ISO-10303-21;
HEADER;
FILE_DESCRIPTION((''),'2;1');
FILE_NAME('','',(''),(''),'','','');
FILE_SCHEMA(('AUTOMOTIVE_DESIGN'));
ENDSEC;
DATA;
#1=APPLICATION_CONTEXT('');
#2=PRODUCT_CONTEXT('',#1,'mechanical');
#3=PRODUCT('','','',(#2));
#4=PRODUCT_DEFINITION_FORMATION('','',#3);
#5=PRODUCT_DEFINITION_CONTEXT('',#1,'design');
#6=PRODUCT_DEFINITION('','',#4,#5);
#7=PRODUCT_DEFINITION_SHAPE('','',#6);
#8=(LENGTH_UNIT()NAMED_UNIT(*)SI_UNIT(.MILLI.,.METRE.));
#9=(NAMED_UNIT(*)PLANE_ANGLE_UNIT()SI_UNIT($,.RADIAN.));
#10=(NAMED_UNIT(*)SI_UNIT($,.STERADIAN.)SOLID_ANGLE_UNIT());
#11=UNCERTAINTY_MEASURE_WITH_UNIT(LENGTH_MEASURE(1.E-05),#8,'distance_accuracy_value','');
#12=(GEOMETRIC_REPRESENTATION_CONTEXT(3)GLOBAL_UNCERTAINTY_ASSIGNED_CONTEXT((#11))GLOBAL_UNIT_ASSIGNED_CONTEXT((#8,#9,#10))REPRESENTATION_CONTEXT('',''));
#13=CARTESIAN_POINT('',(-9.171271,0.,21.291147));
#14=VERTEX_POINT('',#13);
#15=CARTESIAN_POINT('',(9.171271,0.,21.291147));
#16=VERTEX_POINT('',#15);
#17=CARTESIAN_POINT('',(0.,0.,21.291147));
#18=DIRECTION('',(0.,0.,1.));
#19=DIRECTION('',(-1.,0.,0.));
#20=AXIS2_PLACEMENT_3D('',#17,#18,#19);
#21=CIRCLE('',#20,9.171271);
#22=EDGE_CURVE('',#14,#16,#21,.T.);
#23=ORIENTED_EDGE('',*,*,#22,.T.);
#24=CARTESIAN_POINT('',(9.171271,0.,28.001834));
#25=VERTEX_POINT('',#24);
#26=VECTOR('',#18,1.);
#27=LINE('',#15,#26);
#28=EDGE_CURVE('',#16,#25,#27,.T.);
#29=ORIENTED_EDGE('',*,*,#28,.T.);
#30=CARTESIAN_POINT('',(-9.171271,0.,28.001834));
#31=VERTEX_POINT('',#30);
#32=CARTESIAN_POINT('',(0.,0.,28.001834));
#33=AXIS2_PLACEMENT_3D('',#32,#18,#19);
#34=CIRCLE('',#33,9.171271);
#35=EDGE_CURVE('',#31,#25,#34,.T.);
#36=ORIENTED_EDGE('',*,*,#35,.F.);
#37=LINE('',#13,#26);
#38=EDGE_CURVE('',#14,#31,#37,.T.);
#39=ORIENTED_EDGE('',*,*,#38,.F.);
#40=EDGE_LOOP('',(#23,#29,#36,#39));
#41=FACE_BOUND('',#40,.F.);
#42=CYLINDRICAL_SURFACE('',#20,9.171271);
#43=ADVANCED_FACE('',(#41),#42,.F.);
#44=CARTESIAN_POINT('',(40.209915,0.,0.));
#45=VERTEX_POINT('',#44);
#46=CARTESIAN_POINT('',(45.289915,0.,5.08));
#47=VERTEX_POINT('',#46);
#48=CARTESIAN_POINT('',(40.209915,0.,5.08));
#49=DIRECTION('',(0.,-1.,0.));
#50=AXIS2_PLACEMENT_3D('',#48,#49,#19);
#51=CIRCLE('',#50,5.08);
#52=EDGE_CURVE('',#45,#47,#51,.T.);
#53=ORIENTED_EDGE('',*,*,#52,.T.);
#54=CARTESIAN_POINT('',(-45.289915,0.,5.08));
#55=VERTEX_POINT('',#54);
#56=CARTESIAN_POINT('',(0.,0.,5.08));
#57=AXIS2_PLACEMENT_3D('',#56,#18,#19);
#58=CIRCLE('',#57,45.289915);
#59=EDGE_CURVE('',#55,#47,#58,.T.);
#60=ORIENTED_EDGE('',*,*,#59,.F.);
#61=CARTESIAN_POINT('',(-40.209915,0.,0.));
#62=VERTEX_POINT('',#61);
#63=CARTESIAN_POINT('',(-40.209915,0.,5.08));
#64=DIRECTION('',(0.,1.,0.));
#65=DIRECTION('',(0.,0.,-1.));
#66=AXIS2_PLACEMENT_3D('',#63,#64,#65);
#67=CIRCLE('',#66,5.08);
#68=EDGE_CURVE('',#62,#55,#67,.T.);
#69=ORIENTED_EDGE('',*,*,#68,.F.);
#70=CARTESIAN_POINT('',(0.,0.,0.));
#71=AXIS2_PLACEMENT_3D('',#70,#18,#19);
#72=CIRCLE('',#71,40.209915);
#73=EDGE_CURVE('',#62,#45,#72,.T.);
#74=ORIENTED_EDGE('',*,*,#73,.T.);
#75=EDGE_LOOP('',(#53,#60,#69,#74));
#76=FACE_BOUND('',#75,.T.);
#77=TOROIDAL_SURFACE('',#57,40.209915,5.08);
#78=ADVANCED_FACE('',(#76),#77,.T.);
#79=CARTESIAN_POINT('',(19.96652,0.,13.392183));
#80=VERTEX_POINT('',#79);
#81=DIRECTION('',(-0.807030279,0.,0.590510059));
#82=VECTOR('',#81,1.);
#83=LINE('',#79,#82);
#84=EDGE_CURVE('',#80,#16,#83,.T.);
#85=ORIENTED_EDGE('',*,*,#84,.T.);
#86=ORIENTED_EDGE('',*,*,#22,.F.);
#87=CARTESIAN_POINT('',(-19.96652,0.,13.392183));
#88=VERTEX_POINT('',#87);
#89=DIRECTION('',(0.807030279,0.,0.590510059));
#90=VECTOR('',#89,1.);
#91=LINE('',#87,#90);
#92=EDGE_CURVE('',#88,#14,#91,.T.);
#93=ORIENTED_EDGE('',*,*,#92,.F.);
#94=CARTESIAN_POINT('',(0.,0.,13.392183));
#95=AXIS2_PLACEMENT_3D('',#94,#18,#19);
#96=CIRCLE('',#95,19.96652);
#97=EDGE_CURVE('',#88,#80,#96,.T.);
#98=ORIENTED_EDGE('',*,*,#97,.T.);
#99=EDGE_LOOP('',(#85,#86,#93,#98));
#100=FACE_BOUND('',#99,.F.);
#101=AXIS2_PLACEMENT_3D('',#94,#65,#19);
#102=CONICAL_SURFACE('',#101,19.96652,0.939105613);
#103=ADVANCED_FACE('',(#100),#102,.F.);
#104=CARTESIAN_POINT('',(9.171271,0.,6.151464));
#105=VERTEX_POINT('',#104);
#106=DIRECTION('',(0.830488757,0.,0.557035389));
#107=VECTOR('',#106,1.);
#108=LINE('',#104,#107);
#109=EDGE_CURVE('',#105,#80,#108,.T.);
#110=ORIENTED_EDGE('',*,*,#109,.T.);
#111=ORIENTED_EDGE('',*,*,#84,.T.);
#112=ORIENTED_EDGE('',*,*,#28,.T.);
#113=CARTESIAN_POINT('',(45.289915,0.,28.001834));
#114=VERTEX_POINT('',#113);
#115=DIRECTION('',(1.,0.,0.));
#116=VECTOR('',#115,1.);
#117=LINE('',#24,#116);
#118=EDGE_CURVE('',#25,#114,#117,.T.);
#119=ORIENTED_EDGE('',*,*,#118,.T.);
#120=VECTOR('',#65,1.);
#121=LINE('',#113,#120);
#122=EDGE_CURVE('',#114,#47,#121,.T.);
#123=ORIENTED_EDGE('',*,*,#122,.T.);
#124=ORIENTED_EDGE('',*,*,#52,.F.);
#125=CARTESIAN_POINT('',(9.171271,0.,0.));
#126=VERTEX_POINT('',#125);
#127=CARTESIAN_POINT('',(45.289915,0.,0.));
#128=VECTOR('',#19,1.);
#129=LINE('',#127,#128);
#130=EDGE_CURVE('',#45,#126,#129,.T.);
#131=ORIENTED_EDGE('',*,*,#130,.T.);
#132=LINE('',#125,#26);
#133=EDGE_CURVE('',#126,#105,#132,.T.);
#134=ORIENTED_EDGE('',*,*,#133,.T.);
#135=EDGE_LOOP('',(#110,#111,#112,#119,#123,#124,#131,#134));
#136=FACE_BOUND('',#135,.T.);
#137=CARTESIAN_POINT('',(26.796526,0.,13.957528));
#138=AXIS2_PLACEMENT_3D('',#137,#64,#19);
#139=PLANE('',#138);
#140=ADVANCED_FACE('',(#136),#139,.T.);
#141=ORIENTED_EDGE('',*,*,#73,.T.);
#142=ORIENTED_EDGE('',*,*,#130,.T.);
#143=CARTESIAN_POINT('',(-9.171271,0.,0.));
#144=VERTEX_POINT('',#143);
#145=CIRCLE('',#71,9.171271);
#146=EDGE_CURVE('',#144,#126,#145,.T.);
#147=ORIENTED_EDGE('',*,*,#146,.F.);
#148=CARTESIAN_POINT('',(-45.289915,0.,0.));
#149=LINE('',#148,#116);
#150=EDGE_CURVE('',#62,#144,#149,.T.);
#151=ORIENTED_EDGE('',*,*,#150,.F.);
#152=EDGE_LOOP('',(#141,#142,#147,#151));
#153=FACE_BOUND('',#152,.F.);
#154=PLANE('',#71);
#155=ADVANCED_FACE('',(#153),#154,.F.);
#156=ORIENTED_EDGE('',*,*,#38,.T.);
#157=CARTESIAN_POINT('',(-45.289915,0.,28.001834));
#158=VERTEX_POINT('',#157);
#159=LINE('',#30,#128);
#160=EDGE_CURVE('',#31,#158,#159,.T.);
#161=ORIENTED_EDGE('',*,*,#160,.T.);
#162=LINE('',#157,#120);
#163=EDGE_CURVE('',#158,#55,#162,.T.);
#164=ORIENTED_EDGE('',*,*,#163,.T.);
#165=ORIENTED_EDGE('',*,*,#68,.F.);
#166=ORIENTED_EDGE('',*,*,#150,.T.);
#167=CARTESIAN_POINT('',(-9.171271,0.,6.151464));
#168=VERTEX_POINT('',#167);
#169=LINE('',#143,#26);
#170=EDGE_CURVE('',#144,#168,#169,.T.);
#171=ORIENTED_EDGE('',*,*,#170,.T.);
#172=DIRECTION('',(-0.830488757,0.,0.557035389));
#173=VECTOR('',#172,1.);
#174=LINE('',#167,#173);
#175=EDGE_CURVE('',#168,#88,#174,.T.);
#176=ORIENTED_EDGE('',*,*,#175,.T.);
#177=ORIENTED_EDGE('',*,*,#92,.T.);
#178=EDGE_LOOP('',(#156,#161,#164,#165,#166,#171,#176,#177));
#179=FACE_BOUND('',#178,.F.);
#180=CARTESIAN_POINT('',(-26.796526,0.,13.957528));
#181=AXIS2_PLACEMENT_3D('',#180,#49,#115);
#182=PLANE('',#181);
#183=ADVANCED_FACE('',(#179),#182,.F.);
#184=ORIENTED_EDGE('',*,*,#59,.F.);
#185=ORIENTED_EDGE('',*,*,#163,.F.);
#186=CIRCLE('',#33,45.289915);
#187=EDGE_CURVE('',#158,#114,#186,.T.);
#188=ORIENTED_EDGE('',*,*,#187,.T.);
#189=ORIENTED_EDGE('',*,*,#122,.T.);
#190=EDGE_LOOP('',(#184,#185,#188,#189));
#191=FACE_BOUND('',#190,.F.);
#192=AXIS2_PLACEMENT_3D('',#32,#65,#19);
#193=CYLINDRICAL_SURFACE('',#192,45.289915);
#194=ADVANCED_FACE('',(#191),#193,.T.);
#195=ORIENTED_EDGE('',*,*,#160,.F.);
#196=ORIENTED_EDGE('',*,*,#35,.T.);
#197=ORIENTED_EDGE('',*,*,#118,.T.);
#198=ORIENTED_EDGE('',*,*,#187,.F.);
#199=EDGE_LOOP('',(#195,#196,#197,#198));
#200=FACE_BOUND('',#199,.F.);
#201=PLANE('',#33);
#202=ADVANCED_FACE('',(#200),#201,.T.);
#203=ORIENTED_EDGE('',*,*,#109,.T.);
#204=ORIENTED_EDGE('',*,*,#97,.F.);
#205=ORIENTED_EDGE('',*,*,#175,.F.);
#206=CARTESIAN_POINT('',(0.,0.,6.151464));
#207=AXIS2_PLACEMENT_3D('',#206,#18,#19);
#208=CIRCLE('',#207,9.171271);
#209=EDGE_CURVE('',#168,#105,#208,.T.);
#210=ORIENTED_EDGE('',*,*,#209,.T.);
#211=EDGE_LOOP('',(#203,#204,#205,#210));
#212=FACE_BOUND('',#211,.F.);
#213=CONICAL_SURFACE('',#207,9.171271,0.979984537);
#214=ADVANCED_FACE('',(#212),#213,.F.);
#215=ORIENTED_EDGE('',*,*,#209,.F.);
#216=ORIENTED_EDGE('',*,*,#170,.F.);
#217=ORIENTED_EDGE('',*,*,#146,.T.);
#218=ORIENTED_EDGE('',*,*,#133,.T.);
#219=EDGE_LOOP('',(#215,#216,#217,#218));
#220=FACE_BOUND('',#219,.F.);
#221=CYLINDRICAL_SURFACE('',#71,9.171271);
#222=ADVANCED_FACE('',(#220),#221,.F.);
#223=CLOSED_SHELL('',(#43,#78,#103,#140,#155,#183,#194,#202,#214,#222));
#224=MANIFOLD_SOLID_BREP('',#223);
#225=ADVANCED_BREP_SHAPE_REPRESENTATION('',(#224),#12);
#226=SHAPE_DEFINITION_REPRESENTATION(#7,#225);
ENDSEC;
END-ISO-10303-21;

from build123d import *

# Parameters (mm, degrees)
F1_ANGLE = 180
F2_R     = 5.08


with BuildPart() as f1:
    # F0 (on Front) → F1 (revolve)
    with BuildSketch(Plane.XZ):
        Polygon((-45.289915, 0), (-9.171271, 0), (-9.171271, 6.151464), (-19.96652, 13.392183), (-9.171271, 21.291147), (-9.171271, 28.001834), (-45.289915, 28.001834), align=None)
    revolve(axis=Axis((0, 0, 31.041022), (0, 0, 1)), revolution_arc=F1_ANGLE)

    # F2
    f2_edges = [f1.edges().sort_by_distance(p)[0] for p in [
        (0, -45.289915, 0),
    ]]
    fillet(f2_edges, radius=F2_R)


solid = f1.part
